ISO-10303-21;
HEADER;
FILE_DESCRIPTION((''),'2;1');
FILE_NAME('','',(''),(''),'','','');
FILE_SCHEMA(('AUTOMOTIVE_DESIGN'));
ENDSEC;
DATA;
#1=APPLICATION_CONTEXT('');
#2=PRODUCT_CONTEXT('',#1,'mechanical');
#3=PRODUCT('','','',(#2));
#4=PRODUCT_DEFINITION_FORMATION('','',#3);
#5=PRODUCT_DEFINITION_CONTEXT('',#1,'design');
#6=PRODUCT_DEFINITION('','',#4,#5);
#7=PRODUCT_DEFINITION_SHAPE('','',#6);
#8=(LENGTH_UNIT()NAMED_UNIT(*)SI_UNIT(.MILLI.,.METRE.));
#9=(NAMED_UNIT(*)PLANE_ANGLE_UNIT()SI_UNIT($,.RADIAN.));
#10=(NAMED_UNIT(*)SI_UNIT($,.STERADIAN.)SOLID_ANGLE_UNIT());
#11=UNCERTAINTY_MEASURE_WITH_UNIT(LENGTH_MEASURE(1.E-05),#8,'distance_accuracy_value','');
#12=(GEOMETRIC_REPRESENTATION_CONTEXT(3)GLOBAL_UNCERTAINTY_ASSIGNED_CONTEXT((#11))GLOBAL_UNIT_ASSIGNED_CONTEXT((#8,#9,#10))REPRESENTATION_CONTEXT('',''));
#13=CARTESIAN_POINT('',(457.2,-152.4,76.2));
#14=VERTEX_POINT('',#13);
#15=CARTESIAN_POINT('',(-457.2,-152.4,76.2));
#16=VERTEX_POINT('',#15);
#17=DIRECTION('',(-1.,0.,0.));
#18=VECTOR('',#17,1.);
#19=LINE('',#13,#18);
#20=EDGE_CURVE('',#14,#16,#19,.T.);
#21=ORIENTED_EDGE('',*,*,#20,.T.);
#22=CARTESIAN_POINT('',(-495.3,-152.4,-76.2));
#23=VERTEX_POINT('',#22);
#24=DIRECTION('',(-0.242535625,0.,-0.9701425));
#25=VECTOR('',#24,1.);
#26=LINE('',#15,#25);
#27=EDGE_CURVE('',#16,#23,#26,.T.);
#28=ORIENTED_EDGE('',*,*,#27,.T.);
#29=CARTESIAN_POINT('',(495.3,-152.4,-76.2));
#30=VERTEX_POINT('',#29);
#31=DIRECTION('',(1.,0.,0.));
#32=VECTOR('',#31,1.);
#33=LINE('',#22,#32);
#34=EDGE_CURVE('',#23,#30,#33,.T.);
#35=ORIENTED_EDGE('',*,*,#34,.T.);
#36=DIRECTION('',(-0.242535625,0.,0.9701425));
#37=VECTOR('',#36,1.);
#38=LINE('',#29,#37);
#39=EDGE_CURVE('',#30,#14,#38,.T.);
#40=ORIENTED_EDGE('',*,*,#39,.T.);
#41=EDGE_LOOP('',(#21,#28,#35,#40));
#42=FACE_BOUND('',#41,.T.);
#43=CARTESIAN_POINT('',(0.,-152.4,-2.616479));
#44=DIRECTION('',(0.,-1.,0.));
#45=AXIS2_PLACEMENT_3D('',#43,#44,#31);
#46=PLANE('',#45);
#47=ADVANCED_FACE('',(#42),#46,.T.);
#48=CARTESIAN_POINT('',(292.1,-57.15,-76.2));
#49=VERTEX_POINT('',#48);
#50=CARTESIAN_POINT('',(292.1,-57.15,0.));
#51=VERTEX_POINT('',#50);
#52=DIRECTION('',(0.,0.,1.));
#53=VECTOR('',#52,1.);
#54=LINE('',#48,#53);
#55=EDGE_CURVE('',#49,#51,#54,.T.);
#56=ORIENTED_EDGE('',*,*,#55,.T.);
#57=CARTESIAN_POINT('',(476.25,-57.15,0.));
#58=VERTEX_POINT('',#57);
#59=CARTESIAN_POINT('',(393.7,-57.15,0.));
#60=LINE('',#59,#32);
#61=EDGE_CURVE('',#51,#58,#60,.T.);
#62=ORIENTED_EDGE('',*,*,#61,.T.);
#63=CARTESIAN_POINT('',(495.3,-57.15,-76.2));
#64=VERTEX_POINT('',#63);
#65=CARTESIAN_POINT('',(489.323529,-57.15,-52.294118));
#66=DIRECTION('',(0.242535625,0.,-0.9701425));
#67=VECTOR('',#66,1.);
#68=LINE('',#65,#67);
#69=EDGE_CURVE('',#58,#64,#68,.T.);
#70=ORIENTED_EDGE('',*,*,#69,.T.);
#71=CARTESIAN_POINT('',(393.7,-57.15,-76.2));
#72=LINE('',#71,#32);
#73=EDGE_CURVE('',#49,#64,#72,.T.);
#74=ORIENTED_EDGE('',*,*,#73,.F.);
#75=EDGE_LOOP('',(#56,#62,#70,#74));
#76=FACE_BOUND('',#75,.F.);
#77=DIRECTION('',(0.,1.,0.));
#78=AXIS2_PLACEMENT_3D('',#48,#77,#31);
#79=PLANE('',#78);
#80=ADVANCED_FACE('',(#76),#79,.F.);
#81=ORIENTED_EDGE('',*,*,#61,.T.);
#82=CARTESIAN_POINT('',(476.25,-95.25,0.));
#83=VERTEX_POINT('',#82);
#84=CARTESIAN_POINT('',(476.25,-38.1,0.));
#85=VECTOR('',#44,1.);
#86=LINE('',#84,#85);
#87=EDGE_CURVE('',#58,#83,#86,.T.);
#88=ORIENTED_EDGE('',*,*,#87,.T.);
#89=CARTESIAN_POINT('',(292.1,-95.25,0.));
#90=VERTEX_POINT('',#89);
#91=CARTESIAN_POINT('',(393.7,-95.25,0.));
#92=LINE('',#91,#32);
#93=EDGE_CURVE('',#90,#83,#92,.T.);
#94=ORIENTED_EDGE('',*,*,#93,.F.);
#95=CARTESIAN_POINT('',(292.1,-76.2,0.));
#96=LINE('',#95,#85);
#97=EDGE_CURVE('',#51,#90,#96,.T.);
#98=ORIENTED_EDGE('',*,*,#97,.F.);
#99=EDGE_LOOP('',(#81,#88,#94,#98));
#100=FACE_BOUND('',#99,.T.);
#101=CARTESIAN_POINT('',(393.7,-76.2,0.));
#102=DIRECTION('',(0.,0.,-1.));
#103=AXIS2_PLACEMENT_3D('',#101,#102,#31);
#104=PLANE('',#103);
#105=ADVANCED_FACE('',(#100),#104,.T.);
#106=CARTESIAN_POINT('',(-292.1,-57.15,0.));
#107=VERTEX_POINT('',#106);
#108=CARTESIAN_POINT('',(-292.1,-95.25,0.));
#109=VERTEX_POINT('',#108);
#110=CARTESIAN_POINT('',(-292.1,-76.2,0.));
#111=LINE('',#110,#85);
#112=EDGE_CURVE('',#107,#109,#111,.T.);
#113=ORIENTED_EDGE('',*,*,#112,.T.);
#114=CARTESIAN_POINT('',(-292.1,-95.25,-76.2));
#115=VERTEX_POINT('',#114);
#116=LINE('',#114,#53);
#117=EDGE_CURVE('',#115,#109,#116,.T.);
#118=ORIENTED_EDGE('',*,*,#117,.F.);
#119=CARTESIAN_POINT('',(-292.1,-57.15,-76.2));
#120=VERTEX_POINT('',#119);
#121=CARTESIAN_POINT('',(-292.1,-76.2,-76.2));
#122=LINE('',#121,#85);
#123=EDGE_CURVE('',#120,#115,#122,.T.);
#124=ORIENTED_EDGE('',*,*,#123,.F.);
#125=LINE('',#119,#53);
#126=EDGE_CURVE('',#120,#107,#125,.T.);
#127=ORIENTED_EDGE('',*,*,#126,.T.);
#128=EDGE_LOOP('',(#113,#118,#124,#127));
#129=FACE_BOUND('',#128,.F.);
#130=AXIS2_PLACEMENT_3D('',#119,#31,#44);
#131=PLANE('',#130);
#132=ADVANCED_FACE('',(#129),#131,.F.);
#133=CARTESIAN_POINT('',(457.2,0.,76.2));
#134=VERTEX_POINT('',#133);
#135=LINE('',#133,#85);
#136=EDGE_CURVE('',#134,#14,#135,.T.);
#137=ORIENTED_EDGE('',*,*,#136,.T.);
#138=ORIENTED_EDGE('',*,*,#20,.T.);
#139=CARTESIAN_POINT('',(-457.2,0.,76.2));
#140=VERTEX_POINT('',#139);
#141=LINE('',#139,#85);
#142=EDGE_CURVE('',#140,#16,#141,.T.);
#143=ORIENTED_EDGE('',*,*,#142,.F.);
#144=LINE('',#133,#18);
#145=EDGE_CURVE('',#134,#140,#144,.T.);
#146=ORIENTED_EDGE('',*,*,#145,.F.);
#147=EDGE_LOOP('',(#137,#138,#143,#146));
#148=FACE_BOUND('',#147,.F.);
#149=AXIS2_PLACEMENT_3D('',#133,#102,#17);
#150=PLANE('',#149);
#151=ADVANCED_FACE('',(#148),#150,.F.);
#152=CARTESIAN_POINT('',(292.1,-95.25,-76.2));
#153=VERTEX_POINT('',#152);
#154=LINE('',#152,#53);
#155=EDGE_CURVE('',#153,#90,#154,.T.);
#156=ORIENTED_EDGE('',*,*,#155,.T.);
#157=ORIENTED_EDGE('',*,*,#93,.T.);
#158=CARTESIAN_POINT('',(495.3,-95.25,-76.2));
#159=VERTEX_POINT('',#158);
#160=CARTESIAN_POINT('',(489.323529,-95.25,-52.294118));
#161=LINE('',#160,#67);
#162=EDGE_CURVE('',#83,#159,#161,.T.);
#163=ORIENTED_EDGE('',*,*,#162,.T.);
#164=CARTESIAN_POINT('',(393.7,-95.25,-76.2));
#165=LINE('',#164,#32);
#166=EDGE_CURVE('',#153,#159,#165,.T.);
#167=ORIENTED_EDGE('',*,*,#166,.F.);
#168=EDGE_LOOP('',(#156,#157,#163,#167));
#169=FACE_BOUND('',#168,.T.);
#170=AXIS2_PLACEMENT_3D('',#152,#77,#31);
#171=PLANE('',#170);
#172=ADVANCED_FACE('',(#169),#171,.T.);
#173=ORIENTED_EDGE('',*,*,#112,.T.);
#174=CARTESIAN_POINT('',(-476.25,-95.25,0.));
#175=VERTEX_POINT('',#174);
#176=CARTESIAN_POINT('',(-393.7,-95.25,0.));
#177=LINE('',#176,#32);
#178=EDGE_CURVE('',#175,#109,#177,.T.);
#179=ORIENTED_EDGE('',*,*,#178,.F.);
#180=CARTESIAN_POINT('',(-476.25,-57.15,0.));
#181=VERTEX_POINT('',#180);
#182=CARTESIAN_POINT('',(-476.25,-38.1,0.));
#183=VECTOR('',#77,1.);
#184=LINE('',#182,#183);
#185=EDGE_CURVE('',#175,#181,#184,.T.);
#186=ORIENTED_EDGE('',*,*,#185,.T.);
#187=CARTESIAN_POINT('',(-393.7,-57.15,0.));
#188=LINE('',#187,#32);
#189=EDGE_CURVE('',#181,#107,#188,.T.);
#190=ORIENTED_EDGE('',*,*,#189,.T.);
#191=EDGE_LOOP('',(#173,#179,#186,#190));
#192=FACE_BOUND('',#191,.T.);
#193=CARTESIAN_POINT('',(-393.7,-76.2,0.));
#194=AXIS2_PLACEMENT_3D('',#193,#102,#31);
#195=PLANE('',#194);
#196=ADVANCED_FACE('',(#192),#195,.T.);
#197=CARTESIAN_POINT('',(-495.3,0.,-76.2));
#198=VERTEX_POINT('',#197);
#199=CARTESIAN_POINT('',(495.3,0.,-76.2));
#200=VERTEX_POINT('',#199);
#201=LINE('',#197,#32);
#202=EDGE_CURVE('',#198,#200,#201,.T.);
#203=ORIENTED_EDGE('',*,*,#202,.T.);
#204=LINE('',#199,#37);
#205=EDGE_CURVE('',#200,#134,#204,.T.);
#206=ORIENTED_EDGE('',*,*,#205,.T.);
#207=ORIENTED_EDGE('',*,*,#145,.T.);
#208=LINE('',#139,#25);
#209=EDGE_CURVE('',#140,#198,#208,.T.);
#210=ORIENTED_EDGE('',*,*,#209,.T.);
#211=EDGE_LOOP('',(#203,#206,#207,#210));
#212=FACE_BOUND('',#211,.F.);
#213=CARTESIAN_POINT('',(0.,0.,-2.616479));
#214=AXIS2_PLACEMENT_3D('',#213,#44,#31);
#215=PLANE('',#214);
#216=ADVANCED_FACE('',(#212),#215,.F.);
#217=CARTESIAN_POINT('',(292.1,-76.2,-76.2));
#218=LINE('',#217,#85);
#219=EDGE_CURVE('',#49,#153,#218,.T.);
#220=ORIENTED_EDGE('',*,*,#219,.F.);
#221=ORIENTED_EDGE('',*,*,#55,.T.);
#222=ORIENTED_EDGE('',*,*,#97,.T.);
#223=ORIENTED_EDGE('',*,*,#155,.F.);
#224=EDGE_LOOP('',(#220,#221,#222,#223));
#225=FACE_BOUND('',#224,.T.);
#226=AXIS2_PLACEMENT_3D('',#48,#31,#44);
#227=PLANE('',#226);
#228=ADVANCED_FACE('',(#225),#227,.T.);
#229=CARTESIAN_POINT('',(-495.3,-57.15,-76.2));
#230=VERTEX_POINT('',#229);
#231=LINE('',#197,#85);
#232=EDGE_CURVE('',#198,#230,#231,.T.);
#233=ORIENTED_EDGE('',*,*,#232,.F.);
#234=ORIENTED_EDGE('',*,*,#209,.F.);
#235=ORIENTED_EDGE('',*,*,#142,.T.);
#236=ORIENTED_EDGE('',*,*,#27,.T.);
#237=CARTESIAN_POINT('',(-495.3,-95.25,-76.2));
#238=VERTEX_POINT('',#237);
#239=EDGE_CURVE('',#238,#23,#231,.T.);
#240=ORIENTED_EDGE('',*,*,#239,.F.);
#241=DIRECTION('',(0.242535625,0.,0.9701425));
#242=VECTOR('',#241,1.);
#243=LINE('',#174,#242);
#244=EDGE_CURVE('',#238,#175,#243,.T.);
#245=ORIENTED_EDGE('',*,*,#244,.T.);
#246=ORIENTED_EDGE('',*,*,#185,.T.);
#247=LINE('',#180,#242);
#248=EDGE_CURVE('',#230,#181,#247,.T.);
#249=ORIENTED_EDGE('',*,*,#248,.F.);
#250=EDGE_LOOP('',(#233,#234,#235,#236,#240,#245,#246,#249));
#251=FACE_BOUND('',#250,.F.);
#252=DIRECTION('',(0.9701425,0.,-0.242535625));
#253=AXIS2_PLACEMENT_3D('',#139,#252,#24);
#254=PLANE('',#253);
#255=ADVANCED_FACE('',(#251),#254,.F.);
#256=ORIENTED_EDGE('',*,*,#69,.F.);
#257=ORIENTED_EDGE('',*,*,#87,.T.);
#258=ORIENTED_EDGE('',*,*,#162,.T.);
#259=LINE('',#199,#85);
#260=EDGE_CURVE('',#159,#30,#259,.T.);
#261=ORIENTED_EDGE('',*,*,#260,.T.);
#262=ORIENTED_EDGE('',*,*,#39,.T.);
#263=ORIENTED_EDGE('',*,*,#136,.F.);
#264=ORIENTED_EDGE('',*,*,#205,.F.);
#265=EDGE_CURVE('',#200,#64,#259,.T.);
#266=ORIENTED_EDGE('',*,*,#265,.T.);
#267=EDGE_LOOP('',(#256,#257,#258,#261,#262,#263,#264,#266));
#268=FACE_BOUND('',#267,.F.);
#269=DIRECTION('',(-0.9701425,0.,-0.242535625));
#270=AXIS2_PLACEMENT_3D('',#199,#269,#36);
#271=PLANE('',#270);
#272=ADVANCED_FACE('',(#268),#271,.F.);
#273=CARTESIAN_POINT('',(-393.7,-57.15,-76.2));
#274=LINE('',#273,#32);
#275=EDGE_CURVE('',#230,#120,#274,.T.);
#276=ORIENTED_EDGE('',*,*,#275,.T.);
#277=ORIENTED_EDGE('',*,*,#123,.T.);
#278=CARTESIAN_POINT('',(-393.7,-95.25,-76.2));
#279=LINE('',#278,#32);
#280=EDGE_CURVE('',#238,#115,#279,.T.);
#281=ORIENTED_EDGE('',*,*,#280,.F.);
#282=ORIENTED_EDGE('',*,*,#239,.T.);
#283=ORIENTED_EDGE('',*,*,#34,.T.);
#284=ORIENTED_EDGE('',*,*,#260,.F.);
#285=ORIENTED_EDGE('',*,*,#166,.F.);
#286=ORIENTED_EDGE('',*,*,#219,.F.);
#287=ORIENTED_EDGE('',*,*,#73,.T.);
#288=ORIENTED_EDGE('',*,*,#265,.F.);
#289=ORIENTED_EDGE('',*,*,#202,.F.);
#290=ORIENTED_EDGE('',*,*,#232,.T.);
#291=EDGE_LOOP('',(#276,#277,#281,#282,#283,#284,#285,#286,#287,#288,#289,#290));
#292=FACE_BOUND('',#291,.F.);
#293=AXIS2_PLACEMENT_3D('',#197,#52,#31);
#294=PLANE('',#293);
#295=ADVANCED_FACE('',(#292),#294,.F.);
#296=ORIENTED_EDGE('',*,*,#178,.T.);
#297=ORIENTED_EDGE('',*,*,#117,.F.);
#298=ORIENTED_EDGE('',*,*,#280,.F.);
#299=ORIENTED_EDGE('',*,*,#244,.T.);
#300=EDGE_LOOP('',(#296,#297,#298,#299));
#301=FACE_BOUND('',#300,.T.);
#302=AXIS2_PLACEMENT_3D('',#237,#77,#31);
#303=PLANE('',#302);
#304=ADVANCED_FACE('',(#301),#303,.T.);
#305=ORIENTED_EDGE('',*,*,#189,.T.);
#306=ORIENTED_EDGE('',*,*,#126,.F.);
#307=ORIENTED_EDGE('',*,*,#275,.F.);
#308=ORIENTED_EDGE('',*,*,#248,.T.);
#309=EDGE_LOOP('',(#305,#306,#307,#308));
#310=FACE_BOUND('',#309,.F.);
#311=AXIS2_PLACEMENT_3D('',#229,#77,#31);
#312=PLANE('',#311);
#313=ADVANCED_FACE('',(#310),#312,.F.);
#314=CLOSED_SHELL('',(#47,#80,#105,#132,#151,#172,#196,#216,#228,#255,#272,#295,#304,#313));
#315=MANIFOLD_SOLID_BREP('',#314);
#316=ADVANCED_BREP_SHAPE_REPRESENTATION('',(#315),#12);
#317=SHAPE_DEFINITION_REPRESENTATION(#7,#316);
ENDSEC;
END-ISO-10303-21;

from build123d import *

# Parameters (mm, degrees)
F1_DEPTH = 152.4
F2_W     = 203.2
F2_H     = 38.1
F3_DEPTH = 76.2


with BuildPart() as f1:
    # F0 (on Front) → F1 (new body)
    with BuildSketch(Plane.XZ):
        Polygon((457.2, 76.2), (-457.2, 76.2), (-495.3, -76.2), (495.3, -76.2), align=None)
    extrude(amount=F1_DEPTH)

    # F2 (on face) → F3 (cut)
    with BuildSketch(Plane(origin=(0, 0, -76.2), x_dir=(1, 0, 0), z_dir=(0, 0, -1))):
        with Locations((-393.7, 76.2)):
            Rectangle(F2_W, F2_H)
        with Locations((393.7, 76.2)):
            Rectangle(F2_W, F2_H)
    extrude(amount=-F3_DEPTH, mode=Mode.SUBTRACT)


solid = f1.part
